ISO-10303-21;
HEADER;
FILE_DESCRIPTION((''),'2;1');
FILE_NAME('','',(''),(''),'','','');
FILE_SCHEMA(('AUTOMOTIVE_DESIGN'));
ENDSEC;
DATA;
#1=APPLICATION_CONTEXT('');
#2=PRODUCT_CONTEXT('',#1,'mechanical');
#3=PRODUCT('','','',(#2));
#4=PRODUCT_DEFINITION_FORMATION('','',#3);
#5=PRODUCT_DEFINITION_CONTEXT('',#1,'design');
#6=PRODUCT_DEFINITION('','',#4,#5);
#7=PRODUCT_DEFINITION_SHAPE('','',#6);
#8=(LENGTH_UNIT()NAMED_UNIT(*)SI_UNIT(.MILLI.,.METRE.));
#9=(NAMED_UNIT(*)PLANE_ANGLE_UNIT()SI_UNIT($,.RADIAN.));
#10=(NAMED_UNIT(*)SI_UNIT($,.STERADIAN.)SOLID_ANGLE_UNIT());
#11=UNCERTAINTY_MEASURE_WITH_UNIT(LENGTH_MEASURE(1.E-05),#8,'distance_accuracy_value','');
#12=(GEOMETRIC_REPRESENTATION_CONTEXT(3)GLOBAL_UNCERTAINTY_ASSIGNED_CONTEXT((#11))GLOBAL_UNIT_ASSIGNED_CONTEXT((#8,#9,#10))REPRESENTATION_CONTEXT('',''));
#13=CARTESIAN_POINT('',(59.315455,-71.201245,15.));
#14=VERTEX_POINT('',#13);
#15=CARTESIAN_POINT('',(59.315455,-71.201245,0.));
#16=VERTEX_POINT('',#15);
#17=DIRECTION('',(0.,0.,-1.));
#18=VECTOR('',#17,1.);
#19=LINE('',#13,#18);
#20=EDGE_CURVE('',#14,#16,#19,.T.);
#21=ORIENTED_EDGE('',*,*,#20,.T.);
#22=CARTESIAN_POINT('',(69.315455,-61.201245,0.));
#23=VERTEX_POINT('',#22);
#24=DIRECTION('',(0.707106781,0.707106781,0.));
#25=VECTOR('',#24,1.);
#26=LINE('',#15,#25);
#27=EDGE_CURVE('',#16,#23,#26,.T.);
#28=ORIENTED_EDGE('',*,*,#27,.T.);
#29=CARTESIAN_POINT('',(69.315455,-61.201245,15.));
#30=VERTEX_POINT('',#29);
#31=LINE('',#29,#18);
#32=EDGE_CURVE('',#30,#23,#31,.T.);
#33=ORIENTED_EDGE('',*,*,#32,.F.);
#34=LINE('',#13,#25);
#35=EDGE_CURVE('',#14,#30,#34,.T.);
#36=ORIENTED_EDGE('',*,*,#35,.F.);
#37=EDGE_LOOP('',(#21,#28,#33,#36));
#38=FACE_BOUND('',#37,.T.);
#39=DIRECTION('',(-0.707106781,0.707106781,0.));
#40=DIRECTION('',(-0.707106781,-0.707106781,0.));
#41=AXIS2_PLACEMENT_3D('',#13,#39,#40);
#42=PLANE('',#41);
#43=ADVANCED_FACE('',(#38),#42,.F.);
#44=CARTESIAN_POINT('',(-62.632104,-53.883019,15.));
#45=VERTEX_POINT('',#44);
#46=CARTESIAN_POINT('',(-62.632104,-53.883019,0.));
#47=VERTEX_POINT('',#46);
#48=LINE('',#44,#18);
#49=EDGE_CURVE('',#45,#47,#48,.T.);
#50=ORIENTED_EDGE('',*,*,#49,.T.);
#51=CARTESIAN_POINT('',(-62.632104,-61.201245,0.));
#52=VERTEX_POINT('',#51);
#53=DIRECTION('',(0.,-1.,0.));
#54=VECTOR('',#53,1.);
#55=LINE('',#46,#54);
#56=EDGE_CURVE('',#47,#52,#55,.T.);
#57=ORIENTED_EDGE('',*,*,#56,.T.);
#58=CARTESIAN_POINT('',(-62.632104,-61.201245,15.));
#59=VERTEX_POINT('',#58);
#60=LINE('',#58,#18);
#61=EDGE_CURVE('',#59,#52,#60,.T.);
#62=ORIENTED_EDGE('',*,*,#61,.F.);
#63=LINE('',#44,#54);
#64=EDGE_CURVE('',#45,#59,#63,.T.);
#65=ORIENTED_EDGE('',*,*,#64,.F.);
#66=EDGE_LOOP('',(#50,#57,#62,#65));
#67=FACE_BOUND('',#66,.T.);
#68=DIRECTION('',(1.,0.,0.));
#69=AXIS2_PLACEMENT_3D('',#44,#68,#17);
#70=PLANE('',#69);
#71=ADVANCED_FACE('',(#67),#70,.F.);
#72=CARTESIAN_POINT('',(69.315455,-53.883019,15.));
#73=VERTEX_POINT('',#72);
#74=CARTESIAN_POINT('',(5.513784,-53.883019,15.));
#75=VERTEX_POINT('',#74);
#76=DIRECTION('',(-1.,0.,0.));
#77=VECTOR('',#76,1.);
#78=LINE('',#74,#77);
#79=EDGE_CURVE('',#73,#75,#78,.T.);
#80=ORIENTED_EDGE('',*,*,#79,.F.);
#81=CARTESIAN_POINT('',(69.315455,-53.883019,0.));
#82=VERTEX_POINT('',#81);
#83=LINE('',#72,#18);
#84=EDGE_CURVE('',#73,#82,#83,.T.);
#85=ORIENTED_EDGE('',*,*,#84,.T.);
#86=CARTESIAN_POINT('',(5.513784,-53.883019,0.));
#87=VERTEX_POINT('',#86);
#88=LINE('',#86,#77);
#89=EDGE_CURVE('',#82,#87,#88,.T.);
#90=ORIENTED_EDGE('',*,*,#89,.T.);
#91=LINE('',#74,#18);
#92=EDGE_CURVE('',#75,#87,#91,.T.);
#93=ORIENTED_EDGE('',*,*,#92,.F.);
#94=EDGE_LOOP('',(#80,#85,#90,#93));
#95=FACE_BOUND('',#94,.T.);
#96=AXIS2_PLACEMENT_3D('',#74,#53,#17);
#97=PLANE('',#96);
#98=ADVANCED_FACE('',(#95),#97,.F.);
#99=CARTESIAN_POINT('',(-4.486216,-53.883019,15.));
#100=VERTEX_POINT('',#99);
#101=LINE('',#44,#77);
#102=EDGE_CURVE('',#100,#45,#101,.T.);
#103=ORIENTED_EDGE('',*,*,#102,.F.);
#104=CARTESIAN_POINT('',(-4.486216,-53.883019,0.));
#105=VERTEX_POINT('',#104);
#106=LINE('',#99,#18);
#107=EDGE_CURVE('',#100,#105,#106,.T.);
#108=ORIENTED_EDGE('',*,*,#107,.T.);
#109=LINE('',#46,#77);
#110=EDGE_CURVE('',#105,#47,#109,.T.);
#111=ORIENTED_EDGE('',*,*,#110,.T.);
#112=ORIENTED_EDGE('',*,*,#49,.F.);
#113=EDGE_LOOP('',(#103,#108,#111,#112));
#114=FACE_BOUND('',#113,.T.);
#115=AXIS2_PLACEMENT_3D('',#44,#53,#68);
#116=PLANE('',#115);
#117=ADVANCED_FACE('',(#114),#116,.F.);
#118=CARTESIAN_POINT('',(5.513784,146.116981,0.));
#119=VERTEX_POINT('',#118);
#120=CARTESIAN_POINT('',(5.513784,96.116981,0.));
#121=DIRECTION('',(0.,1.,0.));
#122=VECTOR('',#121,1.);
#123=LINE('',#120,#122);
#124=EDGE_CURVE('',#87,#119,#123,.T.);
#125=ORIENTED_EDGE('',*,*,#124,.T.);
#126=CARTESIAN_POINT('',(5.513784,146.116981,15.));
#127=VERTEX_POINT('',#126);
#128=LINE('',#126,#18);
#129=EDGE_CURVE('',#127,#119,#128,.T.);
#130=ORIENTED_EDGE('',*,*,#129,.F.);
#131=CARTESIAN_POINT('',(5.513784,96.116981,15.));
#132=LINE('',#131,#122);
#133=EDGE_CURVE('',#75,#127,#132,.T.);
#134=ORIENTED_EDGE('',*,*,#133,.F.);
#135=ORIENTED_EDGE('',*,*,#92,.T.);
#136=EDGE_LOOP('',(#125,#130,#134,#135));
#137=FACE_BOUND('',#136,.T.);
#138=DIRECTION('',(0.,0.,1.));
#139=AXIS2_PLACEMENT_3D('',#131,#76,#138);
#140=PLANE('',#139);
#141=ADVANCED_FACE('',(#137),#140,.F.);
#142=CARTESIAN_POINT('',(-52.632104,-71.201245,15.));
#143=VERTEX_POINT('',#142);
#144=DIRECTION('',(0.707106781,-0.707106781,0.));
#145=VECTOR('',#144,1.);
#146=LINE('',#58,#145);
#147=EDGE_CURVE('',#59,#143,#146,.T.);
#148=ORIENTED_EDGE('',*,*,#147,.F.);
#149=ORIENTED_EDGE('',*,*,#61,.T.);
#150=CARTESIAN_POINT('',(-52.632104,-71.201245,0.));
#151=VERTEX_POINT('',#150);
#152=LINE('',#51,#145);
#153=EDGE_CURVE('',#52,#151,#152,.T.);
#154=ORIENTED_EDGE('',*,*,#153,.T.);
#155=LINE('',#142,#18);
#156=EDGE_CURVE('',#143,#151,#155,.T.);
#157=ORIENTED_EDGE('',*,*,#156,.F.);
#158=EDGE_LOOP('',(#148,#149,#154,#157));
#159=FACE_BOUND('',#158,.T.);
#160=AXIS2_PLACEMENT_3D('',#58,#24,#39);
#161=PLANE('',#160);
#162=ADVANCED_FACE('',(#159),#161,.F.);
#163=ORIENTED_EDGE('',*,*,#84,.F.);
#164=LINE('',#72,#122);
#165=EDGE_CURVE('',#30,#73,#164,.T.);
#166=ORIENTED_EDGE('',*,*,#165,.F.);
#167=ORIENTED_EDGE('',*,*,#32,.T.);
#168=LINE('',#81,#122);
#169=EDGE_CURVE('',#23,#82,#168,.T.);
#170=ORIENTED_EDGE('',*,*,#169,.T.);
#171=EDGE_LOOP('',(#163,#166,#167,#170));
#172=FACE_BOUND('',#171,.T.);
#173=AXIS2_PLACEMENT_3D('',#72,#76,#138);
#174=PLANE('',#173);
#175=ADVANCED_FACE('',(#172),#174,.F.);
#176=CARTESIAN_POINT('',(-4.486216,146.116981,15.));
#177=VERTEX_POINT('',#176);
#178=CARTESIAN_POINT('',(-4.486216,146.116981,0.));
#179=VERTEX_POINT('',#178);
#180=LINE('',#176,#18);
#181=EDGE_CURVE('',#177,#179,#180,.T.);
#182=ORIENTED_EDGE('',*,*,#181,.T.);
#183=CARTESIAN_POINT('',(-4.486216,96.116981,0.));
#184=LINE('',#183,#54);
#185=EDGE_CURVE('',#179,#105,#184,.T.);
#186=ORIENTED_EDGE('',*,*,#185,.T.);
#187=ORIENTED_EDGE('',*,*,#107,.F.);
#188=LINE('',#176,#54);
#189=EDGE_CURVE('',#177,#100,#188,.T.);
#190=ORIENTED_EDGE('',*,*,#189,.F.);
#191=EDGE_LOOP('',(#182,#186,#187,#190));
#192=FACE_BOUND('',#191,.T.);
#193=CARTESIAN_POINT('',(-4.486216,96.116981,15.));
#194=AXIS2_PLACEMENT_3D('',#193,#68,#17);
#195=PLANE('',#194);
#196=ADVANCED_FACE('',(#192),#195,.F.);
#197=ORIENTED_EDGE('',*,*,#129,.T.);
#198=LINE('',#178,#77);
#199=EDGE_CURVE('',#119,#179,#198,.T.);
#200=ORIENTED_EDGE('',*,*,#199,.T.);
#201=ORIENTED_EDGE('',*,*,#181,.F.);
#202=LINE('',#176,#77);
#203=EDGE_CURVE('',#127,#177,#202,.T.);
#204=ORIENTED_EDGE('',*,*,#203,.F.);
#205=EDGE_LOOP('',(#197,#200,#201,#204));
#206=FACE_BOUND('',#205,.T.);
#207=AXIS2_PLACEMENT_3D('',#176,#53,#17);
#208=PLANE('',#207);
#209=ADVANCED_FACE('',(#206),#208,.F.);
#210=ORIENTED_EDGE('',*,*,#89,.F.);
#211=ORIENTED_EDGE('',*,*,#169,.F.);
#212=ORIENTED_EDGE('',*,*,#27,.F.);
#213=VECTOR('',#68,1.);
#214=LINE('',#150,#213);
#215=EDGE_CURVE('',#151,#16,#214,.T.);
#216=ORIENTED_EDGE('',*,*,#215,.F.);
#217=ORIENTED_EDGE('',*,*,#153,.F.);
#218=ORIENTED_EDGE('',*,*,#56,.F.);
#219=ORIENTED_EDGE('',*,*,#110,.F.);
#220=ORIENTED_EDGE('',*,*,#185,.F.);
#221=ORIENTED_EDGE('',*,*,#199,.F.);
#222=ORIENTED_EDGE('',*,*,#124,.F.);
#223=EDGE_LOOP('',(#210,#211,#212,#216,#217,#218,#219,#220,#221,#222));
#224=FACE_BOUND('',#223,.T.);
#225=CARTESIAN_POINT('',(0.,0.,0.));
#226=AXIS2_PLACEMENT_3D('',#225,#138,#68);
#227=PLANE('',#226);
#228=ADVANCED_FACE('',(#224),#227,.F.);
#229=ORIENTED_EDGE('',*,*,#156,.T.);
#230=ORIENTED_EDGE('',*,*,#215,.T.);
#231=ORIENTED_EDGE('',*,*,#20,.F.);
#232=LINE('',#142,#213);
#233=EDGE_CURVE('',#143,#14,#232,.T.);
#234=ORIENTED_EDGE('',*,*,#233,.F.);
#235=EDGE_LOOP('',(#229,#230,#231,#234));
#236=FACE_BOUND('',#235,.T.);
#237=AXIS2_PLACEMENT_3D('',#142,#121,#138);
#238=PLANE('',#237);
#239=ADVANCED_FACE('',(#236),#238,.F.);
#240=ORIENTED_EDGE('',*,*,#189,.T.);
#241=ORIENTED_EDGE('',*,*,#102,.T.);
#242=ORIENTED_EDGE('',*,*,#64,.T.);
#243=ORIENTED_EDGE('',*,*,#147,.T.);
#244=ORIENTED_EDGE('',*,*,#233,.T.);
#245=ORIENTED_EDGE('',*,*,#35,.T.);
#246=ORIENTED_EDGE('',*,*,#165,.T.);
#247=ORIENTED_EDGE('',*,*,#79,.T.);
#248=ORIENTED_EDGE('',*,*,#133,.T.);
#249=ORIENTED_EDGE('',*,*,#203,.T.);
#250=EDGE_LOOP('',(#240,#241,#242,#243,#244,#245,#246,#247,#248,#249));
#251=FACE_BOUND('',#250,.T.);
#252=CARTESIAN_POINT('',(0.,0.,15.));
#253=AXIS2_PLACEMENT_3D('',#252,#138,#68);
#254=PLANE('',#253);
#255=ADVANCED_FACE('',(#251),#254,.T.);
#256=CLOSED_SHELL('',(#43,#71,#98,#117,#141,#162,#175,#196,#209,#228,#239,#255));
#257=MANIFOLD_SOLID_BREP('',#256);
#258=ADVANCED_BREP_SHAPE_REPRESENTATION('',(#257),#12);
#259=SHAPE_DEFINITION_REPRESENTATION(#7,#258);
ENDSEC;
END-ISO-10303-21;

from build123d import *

# Parameters (mm, degrees)
BOSS_EXTRUDE1_DEPTH = 15


with BuildPart() as part:
    # Sketch1 → Boss-Extrude1 (new body)
    with BuildSketch(Plane.XY):
        Polygon((5.513783665, 96.116981132), (5.513783665, 146.116981132), (-4.486216335, 146.116981132), (-4.486216335, 96.116981132), (-4.486216335, -53.883018868), (-62.632103794, -53.883018868), (-62.632103794, -61.201245098), (-52.632103794, -71.201245098), (59.315454698, -71.201245098), (69.315454698, -61.201245098), (69.315454698, -53.883018868), (5.513783665, -53.883018868), align=None)
    extrude(amount=BOSS_EXTRUDE1_DEPTH)


solid = part.part
